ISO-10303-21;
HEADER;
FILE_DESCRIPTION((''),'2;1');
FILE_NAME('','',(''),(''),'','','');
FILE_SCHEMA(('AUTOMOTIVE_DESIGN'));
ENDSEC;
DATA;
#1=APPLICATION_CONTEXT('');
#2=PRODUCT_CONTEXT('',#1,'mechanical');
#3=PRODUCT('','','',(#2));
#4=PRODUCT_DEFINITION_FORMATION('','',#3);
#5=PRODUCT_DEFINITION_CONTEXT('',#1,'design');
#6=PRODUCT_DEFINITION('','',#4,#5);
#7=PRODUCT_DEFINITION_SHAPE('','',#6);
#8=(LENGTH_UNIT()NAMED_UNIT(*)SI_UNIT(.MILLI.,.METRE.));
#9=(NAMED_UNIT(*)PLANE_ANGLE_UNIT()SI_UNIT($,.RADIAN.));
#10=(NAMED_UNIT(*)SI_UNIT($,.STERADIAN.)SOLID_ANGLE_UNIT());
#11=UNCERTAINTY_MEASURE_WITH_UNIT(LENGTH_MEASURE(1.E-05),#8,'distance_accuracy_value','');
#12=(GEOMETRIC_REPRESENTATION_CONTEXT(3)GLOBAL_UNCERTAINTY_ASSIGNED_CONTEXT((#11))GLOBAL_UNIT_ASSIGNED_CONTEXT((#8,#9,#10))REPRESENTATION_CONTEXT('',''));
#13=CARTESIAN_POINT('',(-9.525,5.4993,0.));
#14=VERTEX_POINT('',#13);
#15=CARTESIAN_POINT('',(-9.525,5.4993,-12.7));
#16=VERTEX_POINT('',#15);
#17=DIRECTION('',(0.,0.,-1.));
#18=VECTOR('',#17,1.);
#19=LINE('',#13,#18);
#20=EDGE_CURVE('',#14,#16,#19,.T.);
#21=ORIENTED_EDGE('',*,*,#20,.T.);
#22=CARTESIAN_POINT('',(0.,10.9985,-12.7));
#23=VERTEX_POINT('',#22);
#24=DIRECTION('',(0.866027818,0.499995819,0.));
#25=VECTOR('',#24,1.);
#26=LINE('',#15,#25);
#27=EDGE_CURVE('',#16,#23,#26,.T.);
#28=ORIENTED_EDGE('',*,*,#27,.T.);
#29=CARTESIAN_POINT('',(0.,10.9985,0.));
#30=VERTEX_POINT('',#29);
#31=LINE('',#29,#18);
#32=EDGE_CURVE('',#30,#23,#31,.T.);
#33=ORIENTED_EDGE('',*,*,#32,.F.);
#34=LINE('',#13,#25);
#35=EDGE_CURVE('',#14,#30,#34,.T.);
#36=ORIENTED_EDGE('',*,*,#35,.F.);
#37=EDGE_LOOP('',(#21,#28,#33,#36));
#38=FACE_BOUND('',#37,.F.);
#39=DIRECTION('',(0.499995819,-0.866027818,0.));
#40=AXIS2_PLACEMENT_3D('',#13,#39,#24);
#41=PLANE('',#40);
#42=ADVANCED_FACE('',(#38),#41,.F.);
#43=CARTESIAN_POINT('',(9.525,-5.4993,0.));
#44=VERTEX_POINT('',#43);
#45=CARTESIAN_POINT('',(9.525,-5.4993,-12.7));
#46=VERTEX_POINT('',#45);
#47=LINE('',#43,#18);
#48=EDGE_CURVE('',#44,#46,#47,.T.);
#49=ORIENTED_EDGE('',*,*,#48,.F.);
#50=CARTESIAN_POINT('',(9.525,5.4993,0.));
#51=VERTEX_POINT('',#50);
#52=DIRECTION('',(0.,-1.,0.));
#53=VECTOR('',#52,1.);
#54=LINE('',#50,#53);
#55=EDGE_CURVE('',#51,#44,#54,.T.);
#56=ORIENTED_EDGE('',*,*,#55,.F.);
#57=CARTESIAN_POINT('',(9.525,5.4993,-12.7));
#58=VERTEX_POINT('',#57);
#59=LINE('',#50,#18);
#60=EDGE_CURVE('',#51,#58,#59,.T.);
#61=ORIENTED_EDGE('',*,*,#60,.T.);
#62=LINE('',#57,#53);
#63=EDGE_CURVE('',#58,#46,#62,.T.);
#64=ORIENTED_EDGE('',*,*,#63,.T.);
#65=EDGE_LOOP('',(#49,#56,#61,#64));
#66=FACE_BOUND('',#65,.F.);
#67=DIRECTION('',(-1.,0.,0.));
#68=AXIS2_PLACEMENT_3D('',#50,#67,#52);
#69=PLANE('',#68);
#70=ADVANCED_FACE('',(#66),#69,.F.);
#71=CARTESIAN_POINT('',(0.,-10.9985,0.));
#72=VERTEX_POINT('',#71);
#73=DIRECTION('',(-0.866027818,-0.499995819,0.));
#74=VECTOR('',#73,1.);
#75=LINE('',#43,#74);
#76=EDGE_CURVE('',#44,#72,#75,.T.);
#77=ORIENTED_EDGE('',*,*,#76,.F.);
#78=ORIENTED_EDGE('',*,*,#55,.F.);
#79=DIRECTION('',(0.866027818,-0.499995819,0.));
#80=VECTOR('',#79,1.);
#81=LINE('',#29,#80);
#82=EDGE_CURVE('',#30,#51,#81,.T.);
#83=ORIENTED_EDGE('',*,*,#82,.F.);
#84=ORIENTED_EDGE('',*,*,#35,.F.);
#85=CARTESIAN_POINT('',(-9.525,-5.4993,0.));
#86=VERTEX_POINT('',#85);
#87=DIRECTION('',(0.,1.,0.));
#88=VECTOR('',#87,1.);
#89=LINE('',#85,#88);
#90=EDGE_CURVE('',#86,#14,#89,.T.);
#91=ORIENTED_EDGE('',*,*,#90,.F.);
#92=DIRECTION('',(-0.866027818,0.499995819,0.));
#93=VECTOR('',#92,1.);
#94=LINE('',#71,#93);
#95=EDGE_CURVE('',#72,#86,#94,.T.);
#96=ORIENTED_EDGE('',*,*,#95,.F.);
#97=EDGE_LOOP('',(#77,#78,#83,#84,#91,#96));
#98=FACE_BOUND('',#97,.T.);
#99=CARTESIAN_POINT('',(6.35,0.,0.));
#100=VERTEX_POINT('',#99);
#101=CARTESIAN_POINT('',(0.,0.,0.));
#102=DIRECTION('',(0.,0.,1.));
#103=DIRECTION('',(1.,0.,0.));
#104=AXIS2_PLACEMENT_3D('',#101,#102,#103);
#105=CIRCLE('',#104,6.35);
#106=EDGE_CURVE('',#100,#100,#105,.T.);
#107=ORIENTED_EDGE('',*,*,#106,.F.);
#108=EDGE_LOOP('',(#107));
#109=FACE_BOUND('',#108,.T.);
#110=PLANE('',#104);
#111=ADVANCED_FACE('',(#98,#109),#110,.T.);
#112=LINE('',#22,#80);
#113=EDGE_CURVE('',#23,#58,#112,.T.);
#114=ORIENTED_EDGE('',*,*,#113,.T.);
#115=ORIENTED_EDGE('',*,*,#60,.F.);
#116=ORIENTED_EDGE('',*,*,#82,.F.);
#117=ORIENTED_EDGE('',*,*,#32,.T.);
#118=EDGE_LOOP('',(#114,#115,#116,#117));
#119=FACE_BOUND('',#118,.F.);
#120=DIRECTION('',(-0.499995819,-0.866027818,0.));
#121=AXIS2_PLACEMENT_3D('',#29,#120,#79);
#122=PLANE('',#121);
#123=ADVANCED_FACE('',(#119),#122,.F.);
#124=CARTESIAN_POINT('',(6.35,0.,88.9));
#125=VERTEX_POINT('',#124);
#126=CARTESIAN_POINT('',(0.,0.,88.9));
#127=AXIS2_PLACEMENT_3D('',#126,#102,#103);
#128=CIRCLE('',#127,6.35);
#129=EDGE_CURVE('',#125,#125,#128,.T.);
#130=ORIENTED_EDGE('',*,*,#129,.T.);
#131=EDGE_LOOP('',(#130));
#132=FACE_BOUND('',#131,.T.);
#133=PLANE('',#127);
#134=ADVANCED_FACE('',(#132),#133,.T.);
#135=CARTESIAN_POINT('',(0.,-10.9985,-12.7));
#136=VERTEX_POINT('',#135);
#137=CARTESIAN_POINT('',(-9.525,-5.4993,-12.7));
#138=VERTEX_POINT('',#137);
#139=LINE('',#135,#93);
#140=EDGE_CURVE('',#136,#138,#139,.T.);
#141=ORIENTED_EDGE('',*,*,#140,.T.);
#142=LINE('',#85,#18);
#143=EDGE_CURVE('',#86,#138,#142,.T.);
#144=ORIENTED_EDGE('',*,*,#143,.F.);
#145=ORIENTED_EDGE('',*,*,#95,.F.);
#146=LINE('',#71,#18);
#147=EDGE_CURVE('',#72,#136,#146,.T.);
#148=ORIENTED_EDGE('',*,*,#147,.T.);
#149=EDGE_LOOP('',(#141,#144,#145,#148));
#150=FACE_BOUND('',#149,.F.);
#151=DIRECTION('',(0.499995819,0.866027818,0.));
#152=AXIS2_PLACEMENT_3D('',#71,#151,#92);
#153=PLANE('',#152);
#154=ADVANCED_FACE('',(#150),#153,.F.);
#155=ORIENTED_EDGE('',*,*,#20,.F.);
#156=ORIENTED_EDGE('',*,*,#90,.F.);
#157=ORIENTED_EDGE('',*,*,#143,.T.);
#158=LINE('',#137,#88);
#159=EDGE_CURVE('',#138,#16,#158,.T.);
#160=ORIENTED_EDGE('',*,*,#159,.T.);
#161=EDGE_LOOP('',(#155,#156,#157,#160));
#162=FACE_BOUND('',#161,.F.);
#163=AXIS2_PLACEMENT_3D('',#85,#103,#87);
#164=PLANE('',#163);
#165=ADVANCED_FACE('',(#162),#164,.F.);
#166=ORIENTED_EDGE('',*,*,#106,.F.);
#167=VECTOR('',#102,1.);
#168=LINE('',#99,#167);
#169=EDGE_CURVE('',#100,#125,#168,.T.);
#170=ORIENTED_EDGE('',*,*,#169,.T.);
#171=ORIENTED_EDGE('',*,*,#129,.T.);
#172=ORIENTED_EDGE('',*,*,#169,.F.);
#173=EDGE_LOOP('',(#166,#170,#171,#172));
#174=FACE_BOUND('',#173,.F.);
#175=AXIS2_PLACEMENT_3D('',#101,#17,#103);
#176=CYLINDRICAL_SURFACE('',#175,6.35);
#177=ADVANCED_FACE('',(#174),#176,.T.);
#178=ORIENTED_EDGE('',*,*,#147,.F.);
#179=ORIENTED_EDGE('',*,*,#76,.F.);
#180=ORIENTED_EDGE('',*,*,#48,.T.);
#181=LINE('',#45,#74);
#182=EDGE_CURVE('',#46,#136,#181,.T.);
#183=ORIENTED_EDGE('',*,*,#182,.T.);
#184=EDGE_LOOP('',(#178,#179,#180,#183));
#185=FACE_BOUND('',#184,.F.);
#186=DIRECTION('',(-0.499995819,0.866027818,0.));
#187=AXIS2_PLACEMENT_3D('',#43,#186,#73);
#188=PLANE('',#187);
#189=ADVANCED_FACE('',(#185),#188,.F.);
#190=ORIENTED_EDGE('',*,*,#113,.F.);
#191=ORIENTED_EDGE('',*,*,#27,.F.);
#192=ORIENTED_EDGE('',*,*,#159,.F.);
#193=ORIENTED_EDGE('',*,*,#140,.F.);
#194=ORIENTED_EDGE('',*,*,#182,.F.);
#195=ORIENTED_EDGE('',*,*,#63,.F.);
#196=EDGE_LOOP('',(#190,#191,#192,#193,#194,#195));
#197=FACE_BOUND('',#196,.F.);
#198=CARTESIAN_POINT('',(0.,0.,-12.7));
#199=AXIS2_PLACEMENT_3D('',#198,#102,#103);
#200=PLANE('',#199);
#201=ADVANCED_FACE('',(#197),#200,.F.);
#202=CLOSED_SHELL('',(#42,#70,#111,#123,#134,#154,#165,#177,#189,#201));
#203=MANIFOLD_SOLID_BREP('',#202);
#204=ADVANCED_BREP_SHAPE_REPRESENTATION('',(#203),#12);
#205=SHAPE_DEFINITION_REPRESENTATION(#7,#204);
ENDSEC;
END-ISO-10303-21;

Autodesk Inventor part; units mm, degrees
ref_plane "YZ Plane" through (0, 0, 0) normal (1, 0, 0) x (0, 1, 0)
ref_plane "XZ Plane" through (0, 0, 0) normal (0, 1, 0) x (-1, 0, 0)
ref_plane "XY Plane" through (0, 0, 0) normal (0, 0, 1) x (1, 0, 0)
sketch "Sketch1" plane through (0, 0, 0) normal (0, 0, 1) x (1, 0, 0)
  circle A0 centre (0, 0) radius 6.35
  line L0 (0, 10.9985) -> (9.525, 5.4993)
  line L1 (9.525, 5.4993) -> (9.525, -5.4993)
  line L2 (9.525, -5.4993) -> (0, -10.9985)
  line L3 (0, -10.9985) -> (-9.525, -5.4993)
  line L4 (-9.525, -5.4993) -> (-9.525, 5.4993)
  line L5 (-9.525, 5.4993) -> (0, 10.9985)
  dimension "d1" = 19.05
extrude "Extrusion1" add sketch "Sketch1" against normal blind 12.7 contours A0 | L0 L1 L2 L3 L4 L5
sketch "Sketch2" plane through (0, 0, 0) normal (0, 0, 1) x (1, 0, 0)
  circle A0 centre (0, 0) radius 6.35
  dimension "d4" = 12.7
extrude "Extrusion2" add sketch "Sketch2" along normal blind 88.9
thread "Thread1" size "1/2-13 UNC" class "2A" standard "ANSI Unified Screw Threads" full length
properties part number "4 in bolt"
